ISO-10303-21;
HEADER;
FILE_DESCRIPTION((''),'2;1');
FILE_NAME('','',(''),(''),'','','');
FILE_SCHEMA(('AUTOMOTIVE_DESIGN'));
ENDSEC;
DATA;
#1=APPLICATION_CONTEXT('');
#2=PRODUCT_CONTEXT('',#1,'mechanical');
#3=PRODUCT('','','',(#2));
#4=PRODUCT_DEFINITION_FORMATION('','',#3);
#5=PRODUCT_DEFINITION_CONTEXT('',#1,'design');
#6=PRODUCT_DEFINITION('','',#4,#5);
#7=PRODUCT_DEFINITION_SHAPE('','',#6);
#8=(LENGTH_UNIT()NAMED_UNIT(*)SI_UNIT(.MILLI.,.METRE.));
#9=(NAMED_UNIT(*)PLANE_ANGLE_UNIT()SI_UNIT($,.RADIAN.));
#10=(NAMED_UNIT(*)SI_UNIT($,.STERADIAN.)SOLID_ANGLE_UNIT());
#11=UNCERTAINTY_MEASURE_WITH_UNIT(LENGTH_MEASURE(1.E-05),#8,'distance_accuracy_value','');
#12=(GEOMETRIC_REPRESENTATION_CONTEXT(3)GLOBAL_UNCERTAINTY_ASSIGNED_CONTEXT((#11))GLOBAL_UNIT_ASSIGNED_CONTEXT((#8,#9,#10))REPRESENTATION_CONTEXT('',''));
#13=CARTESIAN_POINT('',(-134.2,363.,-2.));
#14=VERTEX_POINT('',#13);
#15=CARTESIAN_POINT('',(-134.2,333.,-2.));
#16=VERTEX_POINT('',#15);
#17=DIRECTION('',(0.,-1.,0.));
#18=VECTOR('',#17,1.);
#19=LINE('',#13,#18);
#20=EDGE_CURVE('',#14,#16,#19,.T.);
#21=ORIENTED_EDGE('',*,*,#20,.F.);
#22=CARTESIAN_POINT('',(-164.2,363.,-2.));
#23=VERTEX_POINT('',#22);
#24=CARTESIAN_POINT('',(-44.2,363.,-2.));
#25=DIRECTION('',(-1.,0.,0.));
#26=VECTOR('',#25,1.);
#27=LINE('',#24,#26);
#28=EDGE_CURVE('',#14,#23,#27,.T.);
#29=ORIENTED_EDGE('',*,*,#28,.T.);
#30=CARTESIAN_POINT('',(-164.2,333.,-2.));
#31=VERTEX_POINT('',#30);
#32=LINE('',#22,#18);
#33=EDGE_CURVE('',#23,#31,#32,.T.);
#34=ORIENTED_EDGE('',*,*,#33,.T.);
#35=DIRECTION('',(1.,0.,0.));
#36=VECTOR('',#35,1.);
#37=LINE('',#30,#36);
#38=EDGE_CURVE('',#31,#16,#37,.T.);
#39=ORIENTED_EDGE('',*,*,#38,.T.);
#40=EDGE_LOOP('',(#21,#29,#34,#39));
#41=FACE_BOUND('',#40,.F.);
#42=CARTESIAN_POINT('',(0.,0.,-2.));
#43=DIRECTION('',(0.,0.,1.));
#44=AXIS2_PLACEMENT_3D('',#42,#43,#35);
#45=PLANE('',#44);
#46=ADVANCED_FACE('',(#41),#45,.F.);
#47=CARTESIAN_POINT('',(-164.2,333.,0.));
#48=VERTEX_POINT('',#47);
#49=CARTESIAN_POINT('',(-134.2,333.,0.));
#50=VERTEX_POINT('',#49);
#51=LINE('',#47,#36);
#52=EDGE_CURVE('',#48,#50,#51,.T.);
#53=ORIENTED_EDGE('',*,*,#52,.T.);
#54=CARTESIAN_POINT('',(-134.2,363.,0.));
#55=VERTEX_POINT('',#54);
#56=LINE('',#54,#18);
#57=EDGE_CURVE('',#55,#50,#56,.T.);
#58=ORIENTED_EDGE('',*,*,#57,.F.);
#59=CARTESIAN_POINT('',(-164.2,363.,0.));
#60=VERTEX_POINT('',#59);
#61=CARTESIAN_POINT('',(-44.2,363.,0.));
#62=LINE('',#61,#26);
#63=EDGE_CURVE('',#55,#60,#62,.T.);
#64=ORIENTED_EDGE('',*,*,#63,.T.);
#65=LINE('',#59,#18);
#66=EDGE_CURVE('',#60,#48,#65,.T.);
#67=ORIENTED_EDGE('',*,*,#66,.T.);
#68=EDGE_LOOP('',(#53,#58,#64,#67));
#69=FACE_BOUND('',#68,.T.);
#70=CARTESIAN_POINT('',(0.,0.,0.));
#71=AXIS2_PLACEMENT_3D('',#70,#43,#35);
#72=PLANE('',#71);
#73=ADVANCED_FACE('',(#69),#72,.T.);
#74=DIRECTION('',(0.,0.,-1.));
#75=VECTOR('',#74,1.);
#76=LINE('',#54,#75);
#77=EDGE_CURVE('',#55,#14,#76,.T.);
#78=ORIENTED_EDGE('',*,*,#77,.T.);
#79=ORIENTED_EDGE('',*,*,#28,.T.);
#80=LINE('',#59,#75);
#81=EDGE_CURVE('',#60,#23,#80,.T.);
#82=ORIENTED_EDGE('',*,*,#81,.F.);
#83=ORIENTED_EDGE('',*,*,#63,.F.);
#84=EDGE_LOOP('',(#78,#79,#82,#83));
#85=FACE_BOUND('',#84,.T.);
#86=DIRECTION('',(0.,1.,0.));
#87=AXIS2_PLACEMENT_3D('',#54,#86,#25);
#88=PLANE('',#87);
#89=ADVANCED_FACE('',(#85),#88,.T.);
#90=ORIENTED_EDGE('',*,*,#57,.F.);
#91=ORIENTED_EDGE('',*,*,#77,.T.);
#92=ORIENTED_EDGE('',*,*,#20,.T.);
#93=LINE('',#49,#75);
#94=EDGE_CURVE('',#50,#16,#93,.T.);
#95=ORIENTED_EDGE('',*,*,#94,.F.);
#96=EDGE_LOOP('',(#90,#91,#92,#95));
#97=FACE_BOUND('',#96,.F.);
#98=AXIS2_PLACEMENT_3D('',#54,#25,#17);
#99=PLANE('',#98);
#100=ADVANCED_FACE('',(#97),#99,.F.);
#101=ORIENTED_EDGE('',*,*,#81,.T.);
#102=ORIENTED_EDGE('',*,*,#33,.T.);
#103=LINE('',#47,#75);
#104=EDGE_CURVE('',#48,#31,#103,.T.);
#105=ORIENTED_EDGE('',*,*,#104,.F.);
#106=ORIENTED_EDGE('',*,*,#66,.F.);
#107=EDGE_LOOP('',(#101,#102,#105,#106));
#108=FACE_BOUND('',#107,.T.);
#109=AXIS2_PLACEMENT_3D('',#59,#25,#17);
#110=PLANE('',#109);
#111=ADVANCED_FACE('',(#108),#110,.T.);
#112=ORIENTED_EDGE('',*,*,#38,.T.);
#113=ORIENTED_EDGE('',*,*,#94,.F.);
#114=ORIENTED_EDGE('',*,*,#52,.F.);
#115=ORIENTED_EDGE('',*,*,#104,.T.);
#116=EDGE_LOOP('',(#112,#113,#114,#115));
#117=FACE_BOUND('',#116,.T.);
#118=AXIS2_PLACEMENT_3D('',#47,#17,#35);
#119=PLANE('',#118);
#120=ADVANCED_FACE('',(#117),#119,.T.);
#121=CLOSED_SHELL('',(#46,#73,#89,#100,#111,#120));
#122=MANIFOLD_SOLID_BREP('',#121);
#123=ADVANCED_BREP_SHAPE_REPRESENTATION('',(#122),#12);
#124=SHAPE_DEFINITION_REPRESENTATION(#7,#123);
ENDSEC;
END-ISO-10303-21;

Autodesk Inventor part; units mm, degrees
ref_plane "YZ Plane" through (0, 0, 0) normal (1, 0, 0) x (0, 1, 0)
ref_plane "XZ Plane" through (0, 0, 0) normal (0, 1, 0) x (-1, 0, 0)
ref_plane "XY Plane" through (0, 0, 0) normal (0, 0, 1) x (1, 0, 0)
ref_plane "Plano de trabajo1" through (0, 0, 0) normal (0, 0, 1) x (1, 0, 0)
sketch "Boceto1" plane through (0, 0, 0) normal (0, 0, 1) x (1, 0, 0)
  line L0 (-164.2, 333) -> (-44.2, 333)
  line L1 (-44.2, 333) -> (-44.2, 363)
  line L2 (-44.2, 363) -> (-164.2, 363)
  line L3 (-164.2, 363) -> (-164.2, 333)
  line L4 (-74.2, 363) -> (-74.2, 333)
  line L5 (-104.2, 363) -> (-104.2, 333)
  line L6 (-134.2, 363) -> (-134.2, 333)
  point P0 (0, 0)
  point P1 (-44.2, 348)
  dimension "d0" = 120
  dimension "d1" = 30
  dimension "d2" = 30
  dimension "d3" = 30
  dimension "d4" = 30
extrude "Extrusión1" add sketch "Boceto1" against normal blind 2 contours L3 L2 L6 L0
equation "\"Radio_pliegue\" = Grosor"
equation "\"Anchura_desahogo_plegado\" = Grosor"
equation "\"Profundidad_desahogo_plegado\" = 0.5 * Grosor"
equation "\"Tamaño_destalonado\" = 4 * Grosor"
equation "\"Remanente_mínimo\" = 2 * Grosor"
equation "\"Radiodetransición\" = Radio_pliegue"
equation "\"Tamaño_de_radio_de_Jacobi\" = Radio_pliegue"
equation "\"TamañoSeparación\" = Grosor"
equation "\"Grosor\" = 0.5"
properties part number "1000"
